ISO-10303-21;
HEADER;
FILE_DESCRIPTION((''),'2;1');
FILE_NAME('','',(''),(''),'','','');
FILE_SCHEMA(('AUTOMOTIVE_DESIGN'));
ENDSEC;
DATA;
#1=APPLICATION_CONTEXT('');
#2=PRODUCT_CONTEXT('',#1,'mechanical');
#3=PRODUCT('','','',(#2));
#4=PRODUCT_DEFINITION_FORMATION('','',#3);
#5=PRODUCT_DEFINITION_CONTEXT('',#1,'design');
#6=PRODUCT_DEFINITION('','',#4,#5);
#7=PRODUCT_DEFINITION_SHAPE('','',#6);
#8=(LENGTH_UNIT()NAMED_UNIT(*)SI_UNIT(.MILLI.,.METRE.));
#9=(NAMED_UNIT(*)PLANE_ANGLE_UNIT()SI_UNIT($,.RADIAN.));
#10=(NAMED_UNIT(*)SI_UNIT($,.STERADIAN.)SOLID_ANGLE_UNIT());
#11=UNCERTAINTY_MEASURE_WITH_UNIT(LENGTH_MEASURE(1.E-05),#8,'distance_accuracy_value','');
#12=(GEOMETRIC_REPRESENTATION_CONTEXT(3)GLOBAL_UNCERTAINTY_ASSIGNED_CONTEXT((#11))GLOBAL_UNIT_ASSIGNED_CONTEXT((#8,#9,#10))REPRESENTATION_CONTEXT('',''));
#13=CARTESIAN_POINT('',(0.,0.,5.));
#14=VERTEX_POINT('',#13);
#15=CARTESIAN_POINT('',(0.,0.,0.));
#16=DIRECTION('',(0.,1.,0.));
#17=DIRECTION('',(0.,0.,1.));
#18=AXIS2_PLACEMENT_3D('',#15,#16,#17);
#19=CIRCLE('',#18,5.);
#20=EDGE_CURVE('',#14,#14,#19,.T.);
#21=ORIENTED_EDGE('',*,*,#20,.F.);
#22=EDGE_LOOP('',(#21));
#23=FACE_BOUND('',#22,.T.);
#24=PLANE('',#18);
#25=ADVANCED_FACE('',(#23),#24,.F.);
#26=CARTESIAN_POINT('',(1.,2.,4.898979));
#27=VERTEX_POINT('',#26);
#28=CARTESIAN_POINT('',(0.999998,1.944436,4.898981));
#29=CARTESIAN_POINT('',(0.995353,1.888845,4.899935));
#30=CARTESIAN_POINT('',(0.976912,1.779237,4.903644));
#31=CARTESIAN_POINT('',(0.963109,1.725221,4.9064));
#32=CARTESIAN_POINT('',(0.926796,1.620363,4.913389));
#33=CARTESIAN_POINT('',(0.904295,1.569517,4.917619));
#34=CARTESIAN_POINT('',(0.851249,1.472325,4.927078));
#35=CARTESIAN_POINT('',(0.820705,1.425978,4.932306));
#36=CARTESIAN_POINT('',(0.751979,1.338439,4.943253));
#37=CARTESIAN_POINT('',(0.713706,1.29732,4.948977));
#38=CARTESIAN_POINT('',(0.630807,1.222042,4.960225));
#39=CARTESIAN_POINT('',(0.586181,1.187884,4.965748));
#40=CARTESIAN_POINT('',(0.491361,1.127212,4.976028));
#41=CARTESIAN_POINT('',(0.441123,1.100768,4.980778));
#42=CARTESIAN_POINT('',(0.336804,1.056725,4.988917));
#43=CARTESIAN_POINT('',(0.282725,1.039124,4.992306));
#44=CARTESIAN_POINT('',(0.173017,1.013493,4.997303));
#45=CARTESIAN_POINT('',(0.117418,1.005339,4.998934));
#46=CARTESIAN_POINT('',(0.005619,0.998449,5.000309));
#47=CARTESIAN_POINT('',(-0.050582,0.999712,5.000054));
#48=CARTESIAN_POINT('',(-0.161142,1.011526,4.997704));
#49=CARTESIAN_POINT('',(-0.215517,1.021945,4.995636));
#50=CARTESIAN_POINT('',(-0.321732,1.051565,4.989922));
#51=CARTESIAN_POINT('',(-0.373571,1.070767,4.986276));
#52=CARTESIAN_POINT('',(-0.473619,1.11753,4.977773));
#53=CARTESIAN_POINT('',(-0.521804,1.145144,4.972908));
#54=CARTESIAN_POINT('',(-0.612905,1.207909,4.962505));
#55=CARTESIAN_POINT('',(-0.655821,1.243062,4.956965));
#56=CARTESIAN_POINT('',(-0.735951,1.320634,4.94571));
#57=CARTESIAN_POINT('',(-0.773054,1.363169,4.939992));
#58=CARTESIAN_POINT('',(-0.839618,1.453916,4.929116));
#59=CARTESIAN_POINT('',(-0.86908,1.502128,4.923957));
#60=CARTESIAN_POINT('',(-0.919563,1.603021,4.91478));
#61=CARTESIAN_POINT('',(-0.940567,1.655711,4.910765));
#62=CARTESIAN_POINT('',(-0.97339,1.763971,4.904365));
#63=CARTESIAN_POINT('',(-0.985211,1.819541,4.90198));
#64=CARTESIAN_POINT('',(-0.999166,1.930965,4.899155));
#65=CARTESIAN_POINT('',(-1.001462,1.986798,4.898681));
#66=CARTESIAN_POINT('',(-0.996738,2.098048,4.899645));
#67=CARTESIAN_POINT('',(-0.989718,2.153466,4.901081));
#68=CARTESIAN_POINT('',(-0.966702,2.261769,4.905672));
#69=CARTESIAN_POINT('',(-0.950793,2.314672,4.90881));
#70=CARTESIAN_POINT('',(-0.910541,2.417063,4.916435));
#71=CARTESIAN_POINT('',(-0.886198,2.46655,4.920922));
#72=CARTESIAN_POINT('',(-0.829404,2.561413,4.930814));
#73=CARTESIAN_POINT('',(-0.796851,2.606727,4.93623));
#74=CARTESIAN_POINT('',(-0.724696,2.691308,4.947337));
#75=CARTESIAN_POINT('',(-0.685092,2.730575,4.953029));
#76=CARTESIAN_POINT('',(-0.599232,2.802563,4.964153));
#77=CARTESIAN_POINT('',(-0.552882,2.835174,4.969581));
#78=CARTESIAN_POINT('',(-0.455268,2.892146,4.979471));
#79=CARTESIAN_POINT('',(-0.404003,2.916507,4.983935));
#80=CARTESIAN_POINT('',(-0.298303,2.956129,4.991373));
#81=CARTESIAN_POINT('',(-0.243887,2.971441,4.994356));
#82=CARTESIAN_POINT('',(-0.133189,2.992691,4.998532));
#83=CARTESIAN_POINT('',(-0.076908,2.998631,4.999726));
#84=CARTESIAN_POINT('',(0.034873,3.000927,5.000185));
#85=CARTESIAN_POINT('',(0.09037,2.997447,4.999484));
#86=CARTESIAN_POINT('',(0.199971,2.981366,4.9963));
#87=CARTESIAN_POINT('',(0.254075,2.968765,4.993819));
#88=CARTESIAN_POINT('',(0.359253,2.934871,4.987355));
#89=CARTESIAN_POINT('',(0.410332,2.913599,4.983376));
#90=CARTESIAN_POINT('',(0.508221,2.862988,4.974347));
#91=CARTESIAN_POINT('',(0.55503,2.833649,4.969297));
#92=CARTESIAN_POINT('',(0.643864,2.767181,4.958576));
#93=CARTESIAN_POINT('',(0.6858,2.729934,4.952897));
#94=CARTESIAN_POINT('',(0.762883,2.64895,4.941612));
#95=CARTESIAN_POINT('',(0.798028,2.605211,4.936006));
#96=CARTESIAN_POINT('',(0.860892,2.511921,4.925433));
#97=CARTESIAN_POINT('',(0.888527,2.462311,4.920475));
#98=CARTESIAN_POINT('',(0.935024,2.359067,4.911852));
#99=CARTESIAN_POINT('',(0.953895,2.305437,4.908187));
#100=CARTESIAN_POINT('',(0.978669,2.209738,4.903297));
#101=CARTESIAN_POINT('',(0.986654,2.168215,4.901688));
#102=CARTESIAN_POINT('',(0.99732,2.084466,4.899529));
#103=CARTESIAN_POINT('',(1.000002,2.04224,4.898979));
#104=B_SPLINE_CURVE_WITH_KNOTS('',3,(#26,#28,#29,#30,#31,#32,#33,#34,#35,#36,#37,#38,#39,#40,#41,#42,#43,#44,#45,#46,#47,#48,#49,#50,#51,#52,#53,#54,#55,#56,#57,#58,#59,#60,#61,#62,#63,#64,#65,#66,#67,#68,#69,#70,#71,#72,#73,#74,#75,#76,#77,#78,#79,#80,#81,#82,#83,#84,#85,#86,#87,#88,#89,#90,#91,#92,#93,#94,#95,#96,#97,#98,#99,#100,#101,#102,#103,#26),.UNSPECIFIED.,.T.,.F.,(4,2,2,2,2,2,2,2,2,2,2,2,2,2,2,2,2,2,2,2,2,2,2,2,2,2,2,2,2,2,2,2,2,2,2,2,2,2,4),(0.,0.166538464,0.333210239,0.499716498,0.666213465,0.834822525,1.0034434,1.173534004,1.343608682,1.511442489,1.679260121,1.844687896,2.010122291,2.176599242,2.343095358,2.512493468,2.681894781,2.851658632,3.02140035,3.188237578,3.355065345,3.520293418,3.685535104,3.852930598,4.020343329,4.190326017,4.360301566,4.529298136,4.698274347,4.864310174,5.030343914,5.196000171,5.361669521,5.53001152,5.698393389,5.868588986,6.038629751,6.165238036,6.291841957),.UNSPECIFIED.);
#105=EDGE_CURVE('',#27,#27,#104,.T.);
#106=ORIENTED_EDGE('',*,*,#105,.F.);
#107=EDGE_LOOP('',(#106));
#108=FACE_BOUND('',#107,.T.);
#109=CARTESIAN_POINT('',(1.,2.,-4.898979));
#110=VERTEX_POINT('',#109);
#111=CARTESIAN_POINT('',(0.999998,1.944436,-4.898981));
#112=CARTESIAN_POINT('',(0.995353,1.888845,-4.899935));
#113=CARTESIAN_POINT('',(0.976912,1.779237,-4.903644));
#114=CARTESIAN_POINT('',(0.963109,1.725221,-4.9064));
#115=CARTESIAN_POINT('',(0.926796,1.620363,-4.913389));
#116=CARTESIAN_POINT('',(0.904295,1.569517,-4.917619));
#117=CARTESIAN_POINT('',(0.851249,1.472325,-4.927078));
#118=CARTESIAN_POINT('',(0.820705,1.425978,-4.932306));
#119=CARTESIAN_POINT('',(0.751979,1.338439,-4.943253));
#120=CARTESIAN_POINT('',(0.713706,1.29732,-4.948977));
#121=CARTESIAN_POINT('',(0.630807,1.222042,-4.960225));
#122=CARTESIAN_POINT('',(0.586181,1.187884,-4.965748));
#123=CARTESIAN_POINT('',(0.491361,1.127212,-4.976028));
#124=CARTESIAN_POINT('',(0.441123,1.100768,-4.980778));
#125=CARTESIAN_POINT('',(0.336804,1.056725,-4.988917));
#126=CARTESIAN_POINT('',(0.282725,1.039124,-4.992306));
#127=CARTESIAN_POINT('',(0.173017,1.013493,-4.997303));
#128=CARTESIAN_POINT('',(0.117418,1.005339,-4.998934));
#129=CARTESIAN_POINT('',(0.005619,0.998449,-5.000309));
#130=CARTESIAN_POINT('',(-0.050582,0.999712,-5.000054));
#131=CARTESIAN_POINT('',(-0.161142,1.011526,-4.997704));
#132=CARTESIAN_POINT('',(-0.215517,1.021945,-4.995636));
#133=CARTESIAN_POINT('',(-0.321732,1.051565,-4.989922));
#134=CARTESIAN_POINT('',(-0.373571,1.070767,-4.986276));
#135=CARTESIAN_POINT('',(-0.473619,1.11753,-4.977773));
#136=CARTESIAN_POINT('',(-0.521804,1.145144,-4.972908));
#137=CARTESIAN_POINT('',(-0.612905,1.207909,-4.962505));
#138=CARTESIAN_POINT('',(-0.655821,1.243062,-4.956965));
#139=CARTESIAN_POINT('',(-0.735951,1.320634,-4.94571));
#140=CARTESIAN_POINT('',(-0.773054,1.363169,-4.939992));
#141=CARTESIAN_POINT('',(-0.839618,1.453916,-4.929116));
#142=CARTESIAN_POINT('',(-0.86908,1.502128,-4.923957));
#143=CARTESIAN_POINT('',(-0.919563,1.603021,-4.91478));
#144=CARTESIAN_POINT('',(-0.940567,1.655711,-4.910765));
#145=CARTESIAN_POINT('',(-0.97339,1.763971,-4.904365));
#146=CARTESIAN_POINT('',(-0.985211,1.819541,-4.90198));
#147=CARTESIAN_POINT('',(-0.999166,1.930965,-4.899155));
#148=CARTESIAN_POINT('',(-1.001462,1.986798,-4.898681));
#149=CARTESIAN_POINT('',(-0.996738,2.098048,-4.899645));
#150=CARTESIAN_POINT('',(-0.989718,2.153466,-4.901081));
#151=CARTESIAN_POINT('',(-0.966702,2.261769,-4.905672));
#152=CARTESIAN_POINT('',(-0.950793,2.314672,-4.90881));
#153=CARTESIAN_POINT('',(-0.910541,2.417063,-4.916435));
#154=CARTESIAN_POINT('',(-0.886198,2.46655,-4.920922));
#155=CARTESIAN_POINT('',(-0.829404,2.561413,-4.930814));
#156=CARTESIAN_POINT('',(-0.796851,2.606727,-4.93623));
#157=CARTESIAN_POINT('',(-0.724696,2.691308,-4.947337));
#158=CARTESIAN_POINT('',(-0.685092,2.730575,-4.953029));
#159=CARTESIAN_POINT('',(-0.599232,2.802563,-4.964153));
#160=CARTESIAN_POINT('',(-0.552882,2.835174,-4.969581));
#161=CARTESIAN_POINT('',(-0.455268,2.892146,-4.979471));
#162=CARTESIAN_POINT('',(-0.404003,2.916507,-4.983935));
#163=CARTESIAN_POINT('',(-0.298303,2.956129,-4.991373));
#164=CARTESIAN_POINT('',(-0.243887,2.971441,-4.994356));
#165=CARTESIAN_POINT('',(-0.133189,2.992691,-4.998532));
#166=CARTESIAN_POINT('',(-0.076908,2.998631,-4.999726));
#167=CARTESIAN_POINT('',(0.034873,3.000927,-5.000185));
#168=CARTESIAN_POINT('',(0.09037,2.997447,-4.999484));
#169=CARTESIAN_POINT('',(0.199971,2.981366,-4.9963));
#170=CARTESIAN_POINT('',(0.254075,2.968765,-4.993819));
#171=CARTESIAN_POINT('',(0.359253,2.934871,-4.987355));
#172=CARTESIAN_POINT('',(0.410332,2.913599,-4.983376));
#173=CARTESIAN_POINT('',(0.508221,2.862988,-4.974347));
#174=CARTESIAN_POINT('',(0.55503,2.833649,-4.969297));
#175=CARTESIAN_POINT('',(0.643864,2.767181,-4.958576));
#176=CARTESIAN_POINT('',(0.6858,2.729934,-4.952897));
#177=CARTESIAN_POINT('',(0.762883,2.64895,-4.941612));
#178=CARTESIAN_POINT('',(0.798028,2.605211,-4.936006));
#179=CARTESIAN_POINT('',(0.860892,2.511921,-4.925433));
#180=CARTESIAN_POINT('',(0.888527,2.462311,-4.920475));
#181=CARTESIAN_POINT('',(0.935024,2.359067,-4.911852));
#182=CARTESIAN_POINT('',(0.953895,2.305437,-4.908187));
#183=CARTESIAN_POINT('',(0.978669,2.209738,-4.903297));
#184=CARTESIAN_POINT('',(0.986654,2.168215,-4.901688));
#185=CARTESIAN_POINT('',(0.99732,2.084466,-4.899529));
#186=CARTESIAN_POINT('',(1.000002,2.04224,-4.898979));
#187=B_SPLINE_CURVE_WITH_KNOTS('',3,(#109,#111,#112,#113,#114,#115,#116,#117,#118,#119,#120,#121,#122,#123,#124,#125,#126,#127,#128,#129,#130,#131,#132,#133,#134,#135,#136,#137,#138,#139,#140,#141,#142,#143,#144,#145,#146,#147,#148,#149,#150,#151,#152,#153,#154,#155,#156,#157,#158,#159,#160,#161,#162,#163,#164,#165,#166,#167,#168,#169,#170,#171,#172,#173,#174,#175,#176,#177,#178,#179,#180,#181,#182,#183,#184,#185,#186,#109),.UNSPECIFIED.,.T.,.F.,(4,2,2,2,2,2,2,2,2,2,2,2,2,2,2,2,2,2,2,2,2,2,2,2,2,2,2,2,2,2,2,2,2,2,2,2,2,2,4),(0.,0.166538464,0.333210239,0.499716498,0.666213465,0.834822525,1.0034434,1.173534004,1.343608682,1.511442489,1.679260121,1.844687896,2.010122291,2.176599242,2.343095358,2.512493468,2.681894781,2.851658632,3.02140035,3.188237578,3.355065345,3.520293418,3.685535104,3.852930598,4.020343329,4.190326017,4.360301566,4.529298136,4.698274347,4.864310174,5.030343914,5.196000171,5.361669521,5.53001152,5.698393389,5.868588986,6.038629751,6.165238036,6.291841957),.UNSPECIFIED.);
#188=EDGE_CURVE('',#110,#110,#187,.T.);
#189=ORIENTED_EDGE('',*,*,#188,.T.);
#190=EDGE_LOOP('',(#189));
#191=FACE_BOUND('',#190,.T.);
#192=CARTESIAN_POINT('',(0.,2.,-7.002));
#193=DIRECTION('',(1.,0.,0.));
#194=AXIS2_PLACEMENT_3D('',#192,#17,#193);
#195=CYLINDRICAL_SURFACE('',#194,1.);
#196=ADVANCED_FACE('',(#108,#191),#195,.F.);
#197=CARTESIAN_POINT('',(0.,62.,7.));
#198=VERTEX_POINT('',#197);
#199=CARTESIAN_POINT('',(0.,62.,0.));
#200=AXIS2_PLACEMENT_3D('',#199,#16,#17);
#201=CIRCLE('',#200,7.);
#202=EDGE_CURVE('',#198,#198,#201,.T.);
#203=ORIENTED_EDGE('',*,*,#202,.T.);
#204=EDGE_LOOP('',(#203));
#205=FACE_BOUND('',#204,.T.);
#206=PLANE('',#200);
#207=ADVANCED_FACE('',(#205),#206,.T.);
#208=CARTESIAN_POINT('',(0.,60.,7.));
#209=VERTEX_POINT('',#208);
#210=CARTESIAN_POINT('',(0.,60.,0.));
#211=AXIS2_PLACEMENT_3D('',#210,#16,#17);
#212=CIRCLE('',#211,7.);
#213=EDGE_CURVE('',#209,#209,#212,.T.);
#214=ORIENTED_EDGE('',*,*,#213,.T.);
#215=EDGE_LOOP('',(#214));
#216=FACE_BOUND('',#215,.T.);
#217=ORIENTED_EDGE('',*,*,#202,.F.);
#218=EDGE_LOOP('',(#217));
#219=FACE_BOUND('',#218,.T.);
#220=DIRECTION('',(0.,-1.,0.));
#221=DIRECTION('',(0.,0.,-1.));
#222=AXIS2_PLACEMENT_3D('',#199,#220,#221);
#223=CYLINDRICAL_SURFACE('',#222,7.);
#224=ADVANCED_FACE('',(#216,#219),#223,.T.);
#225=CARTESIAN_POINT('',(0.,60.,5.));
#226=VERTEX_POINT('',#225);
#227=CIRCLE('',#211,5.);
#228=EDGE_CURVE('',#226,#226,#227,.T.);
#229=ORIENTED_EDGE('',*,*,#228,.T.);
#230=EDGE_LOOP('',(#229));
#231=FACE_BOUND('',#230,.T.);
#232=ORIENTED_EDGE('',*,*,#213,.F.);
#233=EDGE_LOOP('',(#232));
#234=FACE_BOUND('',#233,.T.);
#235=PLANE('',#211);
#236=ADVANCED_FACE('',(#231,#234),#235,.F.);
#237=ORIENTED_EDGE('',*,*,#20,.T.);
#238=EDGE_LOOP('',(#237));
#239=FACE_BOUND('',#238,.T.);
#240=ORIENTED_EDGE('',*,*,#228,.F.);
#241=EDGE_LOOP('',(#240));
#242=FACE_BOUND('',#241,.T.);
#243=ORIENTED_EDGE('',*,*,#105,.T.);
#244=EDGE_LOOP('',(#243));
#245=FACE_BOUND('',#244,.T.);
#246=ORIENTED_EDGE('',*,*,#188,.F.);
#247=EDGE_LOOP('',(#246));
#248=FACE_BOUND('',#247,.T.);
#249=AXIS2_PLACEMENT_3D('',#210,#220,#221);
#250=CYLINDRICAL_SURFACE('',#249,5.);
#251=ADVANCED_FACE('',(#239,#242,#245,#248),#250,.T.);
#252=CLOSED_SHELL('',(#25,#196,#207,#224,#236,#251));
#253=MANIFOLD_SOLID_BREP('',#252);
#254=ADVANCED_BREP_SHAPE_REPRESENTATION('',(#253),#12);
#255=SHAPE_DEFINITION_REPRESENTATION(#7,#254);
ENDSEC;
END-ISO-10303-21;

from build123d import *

# Parameters (mm, degrees)
CROQUIS2_R                             = 5
SALIENTE_EXTRUIR1_DEPTH                = 60
CROQUIS3_R                             = 7
SALIENTE_EXTRUIR2_DEPTH                = 2
CORTAR_EXTRUIR1_REACH                  = 64.785
CORTAR_EXTRUIR1_END_RADIUS             = 5
CROQUIS4_R                             = 1
CORTAR_EXTRUIR1_DIRECTION_2_REACH      = 64.785
CORTAR_EXTRUIR1_DIRECTION_2_END_RADIUS = 5


with BuildPart() as part:
    # Croquis2 → Saliente-Extruir1 (new body)
    with BuildSketch(Plane(origin=(0, 0, 0), x_dir=(1, 0, 0), z_dir=(0, 1, 0))):
        with Locations(Location((0, 0, 0), (0, 0, 270))):
            Circle(CROQUIS2_R)
    extrude(amount=SALIENTE_EXTRUIR1_DEPTH)

    # Croquis3 → Saliente-Extruir2 (add)
    with BuildSketch(Plane(origin=(0, 60, 0), x_dir=(1, 0, 0), z_dir=(0, 1, 0))):
        with Locations(Location((0, 0, 0), (0, 0, 270))):
            Circle(CROQUIS3_R)
    extrude(amount=SALIENTE_EXTRUIR2_DEPTH)

    # Cortar-Extruir1: up to this cylinder (the profile starts inside it)
    cortar_extruir1_end = Plane(origin=(0, 2, 0), z_dir=(0, -1, 0)) * Cylinder(CORTAR_EXTRUIR1_END_RADIUS, 140.57, mode=Mode.PRIVATE)
    # Croquis4 → Cortar-Extruir1 (cut, up to the surface)
    with BuildSketch(Plane.XY, mode=Mode.PRIVATE) as cortar_extruir1_sk1:
        with Locations((0, 2)):
            Circle(CROQUIS4_R)
    cortar_extruir1_tool1 = extrude(cortar_extruir1_sk1.sketch, amount=-CORTAR_EXTRUIR1_REACH, mode=Mode.PRIVATE) & cortar_extruir1_end
    add(cortar_extruir1_tool1.solids().sort_by_distance((0, 2, 0))[0], mode=Mode.SUBTRACT)

    # Cortar-Extruir1 direction 2: up to this cylinder (the profile starts inside it)
    cortar_extruir1_direction_2_end = Plane(origin=(0, 2, 0), z_dir=(0, -1, 0)) * Cylinder(CORTAR_EXTRUIR1_DIRECTION_2_END_RADIUS, 140.57, mode=Mode.PRIVATE)
    # Croquis4 → Cortar-Extruir1 direction 2 (cut, up to the surface)
    with BuildSketch(Plane.XY, mode=Mode.PRIVATE) as cortar_extruir1_direction_2_sk1:
        with Locations((0, 2)):
            Circle(CROQUIS4_R)
    cortar_extruir1_direction_2_tool1 = extrude(cortar_extruir1_direction_2_sk1.sketch, amount=CORTAR_EXTRUIR1_DIRECTION_2_REACH, mode=Mode.PRIVATE) & cortar_extruir1_direction_2_end
    add(cortar_extruir1_direction_2_tool1.solids().sort_by_distance((0, 2, 0))[0], mode=Mode.SUBTRACT)


solid = part.part
